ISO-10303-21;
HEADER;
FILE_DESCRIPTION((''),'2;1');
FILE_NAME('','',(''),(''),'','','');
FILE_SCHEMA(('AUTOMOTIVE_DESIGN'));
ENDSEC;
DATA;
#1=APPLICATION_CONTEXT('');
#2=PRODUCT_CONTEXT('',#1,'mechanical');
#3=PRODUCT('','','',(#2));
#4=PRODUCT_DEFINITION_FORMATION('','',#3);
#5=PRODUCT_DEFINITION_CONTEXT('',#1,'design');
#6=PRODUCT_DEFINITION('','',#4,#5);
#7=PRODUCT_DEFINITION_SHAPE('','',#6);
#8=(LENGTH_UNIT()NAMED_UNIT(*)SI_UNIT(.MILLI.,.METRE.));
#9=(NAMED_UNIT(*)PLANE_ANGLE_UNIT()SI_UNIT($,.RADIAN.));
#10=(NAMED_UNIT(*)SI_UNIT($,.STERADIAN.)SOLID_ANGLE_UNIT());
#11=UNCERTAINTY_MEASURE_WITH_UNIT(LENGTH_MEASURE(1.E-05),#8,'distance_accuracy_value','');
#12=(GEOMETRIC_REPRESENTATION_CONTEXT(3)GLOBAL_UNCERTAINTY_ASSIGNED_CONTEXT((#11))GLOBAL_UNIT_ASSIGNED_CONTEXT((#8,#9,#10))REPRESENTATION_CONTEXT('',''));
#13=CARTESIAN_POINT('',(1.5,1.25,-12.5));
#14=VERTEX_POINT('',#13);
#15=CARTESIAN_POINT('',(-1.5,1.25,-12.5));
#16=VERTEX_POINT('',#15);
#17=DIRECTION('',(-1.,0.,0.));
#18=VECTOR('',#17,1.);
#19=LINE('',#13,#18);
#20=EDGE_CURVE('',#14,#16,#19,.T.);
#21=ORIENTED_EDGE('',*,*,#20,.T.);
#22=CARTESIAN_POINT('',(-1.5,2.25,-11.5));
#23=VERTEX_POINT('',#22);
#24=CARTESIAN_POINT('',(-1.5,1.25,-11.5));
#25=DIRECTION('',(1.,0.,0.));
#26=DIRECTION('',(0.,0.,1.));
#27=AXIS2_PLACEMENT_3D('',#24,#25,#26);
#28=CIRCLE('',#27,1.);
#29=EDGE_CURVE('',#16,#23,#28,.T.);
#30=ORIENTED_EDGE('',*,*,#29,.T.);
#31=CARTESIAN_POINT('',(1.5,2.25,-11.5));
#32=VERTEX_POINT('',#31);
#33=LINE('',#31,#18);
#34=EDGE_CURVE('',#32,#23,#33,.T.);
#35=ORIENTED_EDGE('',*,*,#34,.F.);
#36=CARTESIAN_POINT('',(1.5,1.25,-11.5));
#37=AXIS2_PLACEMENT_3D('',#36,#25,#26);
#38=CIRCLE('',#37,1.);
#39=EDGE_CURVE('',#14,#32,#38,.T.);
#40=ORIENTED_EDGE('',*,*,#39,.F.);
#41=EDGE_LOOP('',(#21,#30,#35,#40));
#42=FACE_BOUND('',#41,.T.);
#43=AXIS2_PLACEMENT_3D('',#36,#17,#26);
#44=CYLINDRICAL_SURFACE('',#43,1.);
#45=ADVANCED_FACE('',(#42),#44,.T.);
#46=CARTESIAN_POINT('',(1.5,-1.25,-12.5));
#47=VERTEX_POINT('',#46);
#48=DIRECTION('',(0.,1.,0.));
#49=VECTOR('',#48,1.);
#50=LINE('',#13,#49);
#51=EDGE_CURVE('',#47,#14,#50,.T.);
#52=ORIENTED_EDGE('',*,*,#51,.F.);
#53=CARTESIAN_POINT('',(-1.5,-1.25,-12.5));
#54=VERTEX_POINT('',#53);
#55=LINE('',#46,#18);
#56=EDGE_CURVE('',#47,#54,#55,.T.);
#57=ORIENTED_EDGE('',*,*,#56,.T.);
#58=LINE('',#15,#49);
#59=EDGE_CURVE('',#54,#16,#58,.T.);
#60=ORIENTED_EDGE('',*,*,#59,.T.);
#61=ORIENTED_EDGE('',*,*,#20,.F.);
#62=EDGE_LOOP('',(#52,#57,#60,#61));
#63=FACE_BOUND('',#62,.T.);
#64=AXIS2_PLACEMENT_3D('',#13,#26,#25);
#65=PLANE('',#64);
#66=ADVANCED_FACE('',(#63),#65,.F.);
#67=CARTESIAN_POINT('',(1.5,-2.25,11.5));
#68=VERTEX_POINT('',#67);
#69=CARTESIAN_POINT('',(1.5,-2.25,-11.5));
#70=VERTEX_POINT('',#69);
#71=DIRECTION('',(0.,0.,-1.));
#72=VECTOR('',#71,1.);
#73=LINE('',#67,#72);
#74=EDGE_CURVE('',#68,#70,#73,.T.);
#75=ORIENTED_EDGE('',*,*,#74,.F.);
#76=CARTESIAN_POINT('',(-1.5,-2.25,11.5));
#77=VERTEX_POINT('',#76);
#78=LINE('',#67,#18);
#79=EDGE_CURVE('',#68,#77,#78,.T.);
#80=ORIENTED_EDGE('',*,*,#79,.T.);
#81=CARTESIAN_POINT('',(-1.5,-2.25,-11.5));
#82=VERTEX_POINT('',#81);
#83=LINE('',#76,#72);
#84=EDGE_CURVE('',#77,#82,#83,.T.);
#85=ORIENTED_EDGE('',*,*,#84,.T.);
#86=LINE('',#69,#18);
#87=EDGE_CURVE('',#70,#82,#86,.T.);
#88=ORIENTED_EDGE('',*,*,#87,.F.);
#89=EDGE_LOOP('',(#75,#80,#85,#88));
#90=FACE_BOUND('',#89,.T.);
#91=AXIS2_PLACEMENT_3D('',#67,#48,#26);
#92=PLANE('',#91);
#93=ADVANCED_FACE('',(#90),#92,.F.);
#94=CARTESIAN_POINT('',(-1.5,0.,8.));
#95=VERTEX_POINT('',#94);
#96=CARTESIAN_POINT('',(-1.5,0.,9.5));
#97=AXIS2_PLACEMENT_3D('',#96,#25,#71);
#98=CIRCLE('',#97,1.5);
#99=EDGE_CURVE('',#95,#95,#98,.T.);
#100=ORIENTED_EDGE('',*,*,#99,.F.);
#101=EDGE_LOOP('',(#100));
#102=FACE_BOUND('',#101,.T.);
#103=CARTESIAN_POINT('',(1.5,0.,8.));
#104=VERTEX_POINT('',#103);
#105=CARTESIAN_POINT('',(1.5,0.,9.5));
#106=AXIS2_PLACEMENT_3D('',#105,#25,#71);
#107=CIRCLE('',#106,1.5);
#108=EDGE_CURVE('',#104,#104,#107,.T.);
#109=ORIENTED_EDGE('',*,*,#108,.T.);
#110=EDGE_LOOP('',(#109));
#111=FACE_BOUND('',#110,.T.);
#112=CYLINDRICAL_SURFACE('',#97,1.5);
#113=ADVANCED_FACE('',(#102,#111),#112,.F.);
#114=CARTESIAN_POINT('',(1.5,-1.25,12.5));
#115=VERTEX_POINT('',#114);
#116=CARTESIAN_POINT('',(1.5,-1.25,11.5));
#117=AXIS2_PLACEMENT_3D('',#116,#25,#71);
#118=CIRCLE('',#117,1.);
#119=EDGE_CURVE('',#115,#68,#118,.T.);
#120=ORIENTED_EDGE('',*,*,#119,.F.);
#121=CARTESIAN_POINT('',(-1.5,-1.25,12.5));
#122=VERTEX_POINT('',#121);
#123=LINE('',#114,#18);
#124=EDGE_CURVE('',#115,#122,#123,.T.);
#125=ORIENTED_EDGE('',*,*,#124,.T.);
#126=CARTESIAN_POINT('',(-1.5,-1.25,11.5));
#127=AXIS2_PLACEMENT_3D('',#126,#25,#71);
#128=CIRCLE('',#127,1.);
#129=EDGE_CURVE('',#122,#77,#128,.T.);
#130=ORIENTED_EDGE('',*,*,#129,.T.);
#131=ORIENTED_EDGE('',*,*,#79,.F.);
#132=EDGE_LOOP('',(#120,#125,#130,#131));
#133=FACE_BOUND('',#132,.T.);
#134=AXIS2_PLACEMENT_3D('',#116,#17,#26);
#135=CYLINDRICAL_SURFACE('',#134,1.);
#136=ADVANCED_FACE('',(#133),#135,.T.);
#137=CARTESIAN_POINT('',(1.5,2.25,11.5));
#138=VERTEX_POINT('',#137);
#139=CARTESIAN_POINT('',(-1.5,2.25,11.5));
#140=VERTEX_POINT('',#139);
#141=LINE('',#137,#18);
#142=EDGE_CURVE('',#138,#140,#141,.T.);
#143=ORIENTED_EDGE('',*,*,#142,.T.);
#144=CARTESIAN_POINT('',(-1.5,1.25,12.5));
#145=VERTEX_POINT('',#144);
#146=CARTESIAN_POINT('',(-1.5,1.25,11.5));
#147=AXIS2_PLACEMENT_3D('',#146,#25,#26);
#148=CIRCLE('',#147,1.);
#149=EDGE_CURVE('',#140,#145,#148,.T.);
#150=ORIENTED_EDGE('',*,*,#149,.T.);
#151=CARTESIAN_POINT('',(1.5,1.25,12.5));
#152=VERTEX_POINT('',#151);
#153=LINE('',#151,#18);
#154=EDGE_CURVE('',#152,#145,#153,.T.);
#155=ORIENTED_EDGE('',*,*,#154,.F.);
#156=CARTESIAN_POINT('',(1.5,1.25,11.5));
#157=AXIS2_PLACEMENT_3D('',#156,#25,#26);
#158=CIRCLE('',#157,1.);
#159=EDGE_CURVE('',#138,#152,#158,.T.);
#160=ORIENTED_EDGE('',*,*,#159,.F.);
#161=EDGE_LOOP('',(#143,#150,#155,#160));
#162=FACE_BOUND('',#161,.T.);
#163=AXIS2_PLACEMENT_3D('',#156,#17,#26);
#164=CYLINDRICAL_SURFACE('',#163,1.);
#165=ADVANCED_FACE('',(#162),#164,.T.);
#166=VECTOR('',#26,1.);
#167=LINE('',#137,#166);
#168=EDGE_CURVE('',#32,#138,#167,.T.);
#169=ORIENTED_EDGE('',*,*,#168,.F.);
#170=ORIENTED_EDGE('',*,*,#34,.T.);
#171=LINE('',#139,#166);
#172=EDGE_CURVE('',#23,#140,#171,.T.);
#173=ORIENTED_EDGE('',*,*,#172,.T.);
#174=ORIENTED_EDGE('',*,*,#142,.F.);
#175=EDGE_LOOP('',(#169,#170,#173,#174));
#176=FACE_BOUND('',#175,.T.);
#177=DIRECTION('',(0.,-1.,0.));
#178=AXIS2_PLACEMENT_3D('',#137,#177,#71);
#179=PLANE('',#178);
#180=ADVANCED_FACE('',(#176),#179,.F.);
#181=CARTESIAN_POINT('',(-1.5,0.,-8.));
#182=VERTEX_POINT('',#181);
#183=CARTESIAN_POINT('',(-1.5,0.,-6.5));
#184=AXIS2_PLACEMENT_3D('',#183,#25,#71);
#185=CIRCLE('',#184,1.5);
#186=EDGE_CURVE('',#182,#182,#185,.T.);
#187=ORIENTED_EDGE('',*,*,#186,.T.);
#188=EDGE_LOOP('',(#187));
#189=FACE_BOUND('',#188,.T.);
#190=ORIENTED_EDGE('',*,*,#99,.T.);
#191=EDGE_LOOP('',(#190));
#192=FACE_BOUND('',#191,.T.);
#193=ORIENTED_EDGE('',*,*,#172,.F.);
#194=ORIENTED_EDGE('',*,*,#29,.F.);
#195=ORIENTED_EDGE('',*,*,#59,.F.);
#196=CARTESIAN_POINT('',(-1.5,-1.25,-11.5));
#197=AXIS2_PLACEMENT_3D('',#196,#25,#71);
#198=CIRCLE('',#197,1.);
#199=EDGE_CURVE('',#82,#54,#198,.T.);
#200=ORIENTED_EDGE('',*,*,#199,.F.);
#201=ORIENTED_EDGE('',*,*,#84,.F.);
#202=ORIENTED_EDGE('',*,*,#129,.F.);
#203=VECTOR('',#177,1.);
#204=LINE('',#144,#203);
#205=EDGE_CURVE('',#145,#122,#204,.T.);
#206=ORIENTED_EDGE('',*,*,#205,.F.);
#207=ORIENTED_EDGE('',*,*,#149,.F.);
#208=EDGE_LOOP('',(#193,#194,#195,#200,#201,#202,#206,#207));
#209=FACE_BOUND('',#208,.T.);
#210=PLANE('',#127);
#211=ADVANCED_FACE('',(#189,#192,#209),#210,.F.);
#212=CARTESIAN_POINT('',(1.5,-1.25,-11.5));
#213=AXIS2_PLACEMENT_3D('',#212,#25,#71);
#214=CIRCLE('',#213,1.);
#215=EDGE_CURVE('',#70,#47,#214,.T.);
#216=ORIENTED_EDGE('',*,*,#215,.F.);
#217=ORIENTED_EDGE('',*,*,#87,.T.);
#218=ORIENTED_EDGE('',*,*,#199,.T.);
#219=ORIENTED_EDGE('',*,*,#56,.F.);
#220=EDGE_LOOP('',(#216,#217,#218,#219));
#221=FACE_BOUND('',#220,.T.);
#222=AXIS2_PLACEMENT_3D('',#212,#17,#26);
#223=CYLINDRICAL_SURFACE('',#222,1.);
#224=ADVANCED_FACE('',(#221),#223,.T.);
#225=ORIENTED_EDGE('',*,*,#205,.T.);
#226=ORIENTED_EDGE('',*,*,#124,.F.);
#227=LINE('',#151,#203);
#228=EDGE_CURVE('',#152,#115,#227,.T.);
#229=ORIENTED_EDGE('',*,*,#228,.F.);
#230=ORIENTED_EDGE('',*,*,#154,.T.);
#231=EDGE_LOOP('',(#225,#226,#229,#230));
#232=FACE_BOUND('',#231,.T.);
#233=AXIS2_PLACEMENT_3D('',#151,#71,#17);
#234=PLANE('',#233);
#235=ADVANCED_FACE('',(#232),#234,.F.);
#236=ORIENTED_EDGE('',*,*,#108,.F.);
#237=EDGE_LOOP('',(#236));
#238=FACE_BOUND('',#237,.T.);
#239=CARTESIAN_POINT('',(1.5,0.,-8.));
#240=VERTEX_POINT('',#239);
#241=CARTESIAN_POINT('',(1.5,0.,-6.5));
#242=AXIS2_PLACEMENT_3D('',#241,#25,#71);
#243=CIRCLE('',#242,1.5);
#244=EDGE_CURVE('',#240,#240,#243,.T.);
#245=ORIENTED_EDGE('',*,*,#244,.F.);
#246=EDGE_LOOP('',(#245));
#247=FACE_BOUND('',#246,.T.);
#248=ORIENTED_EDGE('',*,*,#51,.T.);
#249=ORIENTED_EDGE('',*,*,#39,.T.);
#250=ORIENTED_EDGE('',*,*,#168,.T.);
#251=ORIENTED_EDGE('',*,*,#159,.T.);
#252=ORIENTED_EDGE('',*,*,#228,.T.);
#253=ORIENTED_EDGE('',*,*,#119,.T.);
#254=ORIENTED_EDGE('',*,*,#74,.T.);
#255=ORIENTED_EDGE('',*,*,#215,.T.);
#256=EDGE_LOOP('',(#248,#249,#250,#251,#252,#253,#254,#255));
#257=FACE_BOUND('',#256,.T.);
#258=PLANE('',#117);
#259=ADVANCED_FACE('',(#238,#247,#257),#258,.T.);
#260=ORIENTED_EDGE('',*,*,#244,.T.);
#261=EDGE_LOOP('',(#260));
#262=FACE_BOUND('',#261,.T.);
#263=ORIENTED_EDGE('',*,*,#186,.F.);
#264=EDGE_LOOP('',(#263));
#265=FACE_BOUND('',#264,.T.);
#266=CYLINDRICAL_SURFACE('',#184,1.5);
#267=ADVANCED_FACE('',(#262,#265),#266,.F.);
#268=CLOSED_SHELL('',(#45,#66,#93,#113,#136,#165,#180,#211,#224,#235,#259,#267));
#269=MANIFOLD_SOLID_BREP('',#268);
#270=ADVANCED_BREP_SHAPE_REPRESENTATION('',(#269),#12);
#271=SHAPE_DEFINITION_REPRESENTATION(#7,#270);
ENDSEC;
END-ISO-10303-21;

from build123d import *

# Parameters (mm, degrees)
SALIENTE_EXTRUIR1_DEPTH    = 1.5
CORTAR_EXTRUIR1_DEPTH      = 13.789155562
CORTAR_EXTRUIR1_DEPTH_BACK = 13.789155562
CROQUIS2_R                 = 1.5


with BuildPart() as part:
    # Croquis1 → Saliente-Extruir1 (new, symmetric)
    with BuildSketch(Plane(origin=(0, 0, 0), x_dir=(0, 0, -1), z_dir=(1, 0, 0))):
        with BuildLine():
            Line((-11.5, 2.25), (11.5, 2.25))
            ThreePointArc((11.5, 2.25), (12.207106781, 1.957106781), (12.5, 1.25))
            Line((12.5, 1.25), (12.5, -1.25))
            ThreePointArc((12.5, -1.25), (12.207106781, -1.957106781), (11.5, -2.25))
            Line((11.5, -2.25), (-11.5, -2.25))
            ThreePointArc((-11.5, -2.25), (-12.207106781, -1.957106781), (-12.5, -1.25))
            Line((-12.5, -1.25), (-12.5, 1.25))
            ThreePointArc((-12.5, 1.25), (-12.207106781, 1.957106781), (-11.5, 2.25))
        make_face()
    extrude(amount=SALIENTE_EXTRUIR1_DEPTH, both=True)

    # Croquis2 → Cortar-Extruir1 (cut, two sides: drawn at the far end of the back side and taken through both)
    with BuildSketch(Plane(origin=(0, 0, 0), x_dir=(0, 0, -1), z_dir=(1, 0, 0)).offset(-CORTAR_EXTRUIR1_DEPTH_BACK)):
        with Locations((-9.5, 0)):
            Circle(CROQUIS2_R)
        with Locations((6.5, 0)):
            Circle(CROQUIS2_R)
    extrude(amount=CORTAR_EXTRUIR1_DEPTH + CORTAR_EXTRUIR1_DEPTH_BACK, mode=Mode.SUBTRACT)


solid = part.part
